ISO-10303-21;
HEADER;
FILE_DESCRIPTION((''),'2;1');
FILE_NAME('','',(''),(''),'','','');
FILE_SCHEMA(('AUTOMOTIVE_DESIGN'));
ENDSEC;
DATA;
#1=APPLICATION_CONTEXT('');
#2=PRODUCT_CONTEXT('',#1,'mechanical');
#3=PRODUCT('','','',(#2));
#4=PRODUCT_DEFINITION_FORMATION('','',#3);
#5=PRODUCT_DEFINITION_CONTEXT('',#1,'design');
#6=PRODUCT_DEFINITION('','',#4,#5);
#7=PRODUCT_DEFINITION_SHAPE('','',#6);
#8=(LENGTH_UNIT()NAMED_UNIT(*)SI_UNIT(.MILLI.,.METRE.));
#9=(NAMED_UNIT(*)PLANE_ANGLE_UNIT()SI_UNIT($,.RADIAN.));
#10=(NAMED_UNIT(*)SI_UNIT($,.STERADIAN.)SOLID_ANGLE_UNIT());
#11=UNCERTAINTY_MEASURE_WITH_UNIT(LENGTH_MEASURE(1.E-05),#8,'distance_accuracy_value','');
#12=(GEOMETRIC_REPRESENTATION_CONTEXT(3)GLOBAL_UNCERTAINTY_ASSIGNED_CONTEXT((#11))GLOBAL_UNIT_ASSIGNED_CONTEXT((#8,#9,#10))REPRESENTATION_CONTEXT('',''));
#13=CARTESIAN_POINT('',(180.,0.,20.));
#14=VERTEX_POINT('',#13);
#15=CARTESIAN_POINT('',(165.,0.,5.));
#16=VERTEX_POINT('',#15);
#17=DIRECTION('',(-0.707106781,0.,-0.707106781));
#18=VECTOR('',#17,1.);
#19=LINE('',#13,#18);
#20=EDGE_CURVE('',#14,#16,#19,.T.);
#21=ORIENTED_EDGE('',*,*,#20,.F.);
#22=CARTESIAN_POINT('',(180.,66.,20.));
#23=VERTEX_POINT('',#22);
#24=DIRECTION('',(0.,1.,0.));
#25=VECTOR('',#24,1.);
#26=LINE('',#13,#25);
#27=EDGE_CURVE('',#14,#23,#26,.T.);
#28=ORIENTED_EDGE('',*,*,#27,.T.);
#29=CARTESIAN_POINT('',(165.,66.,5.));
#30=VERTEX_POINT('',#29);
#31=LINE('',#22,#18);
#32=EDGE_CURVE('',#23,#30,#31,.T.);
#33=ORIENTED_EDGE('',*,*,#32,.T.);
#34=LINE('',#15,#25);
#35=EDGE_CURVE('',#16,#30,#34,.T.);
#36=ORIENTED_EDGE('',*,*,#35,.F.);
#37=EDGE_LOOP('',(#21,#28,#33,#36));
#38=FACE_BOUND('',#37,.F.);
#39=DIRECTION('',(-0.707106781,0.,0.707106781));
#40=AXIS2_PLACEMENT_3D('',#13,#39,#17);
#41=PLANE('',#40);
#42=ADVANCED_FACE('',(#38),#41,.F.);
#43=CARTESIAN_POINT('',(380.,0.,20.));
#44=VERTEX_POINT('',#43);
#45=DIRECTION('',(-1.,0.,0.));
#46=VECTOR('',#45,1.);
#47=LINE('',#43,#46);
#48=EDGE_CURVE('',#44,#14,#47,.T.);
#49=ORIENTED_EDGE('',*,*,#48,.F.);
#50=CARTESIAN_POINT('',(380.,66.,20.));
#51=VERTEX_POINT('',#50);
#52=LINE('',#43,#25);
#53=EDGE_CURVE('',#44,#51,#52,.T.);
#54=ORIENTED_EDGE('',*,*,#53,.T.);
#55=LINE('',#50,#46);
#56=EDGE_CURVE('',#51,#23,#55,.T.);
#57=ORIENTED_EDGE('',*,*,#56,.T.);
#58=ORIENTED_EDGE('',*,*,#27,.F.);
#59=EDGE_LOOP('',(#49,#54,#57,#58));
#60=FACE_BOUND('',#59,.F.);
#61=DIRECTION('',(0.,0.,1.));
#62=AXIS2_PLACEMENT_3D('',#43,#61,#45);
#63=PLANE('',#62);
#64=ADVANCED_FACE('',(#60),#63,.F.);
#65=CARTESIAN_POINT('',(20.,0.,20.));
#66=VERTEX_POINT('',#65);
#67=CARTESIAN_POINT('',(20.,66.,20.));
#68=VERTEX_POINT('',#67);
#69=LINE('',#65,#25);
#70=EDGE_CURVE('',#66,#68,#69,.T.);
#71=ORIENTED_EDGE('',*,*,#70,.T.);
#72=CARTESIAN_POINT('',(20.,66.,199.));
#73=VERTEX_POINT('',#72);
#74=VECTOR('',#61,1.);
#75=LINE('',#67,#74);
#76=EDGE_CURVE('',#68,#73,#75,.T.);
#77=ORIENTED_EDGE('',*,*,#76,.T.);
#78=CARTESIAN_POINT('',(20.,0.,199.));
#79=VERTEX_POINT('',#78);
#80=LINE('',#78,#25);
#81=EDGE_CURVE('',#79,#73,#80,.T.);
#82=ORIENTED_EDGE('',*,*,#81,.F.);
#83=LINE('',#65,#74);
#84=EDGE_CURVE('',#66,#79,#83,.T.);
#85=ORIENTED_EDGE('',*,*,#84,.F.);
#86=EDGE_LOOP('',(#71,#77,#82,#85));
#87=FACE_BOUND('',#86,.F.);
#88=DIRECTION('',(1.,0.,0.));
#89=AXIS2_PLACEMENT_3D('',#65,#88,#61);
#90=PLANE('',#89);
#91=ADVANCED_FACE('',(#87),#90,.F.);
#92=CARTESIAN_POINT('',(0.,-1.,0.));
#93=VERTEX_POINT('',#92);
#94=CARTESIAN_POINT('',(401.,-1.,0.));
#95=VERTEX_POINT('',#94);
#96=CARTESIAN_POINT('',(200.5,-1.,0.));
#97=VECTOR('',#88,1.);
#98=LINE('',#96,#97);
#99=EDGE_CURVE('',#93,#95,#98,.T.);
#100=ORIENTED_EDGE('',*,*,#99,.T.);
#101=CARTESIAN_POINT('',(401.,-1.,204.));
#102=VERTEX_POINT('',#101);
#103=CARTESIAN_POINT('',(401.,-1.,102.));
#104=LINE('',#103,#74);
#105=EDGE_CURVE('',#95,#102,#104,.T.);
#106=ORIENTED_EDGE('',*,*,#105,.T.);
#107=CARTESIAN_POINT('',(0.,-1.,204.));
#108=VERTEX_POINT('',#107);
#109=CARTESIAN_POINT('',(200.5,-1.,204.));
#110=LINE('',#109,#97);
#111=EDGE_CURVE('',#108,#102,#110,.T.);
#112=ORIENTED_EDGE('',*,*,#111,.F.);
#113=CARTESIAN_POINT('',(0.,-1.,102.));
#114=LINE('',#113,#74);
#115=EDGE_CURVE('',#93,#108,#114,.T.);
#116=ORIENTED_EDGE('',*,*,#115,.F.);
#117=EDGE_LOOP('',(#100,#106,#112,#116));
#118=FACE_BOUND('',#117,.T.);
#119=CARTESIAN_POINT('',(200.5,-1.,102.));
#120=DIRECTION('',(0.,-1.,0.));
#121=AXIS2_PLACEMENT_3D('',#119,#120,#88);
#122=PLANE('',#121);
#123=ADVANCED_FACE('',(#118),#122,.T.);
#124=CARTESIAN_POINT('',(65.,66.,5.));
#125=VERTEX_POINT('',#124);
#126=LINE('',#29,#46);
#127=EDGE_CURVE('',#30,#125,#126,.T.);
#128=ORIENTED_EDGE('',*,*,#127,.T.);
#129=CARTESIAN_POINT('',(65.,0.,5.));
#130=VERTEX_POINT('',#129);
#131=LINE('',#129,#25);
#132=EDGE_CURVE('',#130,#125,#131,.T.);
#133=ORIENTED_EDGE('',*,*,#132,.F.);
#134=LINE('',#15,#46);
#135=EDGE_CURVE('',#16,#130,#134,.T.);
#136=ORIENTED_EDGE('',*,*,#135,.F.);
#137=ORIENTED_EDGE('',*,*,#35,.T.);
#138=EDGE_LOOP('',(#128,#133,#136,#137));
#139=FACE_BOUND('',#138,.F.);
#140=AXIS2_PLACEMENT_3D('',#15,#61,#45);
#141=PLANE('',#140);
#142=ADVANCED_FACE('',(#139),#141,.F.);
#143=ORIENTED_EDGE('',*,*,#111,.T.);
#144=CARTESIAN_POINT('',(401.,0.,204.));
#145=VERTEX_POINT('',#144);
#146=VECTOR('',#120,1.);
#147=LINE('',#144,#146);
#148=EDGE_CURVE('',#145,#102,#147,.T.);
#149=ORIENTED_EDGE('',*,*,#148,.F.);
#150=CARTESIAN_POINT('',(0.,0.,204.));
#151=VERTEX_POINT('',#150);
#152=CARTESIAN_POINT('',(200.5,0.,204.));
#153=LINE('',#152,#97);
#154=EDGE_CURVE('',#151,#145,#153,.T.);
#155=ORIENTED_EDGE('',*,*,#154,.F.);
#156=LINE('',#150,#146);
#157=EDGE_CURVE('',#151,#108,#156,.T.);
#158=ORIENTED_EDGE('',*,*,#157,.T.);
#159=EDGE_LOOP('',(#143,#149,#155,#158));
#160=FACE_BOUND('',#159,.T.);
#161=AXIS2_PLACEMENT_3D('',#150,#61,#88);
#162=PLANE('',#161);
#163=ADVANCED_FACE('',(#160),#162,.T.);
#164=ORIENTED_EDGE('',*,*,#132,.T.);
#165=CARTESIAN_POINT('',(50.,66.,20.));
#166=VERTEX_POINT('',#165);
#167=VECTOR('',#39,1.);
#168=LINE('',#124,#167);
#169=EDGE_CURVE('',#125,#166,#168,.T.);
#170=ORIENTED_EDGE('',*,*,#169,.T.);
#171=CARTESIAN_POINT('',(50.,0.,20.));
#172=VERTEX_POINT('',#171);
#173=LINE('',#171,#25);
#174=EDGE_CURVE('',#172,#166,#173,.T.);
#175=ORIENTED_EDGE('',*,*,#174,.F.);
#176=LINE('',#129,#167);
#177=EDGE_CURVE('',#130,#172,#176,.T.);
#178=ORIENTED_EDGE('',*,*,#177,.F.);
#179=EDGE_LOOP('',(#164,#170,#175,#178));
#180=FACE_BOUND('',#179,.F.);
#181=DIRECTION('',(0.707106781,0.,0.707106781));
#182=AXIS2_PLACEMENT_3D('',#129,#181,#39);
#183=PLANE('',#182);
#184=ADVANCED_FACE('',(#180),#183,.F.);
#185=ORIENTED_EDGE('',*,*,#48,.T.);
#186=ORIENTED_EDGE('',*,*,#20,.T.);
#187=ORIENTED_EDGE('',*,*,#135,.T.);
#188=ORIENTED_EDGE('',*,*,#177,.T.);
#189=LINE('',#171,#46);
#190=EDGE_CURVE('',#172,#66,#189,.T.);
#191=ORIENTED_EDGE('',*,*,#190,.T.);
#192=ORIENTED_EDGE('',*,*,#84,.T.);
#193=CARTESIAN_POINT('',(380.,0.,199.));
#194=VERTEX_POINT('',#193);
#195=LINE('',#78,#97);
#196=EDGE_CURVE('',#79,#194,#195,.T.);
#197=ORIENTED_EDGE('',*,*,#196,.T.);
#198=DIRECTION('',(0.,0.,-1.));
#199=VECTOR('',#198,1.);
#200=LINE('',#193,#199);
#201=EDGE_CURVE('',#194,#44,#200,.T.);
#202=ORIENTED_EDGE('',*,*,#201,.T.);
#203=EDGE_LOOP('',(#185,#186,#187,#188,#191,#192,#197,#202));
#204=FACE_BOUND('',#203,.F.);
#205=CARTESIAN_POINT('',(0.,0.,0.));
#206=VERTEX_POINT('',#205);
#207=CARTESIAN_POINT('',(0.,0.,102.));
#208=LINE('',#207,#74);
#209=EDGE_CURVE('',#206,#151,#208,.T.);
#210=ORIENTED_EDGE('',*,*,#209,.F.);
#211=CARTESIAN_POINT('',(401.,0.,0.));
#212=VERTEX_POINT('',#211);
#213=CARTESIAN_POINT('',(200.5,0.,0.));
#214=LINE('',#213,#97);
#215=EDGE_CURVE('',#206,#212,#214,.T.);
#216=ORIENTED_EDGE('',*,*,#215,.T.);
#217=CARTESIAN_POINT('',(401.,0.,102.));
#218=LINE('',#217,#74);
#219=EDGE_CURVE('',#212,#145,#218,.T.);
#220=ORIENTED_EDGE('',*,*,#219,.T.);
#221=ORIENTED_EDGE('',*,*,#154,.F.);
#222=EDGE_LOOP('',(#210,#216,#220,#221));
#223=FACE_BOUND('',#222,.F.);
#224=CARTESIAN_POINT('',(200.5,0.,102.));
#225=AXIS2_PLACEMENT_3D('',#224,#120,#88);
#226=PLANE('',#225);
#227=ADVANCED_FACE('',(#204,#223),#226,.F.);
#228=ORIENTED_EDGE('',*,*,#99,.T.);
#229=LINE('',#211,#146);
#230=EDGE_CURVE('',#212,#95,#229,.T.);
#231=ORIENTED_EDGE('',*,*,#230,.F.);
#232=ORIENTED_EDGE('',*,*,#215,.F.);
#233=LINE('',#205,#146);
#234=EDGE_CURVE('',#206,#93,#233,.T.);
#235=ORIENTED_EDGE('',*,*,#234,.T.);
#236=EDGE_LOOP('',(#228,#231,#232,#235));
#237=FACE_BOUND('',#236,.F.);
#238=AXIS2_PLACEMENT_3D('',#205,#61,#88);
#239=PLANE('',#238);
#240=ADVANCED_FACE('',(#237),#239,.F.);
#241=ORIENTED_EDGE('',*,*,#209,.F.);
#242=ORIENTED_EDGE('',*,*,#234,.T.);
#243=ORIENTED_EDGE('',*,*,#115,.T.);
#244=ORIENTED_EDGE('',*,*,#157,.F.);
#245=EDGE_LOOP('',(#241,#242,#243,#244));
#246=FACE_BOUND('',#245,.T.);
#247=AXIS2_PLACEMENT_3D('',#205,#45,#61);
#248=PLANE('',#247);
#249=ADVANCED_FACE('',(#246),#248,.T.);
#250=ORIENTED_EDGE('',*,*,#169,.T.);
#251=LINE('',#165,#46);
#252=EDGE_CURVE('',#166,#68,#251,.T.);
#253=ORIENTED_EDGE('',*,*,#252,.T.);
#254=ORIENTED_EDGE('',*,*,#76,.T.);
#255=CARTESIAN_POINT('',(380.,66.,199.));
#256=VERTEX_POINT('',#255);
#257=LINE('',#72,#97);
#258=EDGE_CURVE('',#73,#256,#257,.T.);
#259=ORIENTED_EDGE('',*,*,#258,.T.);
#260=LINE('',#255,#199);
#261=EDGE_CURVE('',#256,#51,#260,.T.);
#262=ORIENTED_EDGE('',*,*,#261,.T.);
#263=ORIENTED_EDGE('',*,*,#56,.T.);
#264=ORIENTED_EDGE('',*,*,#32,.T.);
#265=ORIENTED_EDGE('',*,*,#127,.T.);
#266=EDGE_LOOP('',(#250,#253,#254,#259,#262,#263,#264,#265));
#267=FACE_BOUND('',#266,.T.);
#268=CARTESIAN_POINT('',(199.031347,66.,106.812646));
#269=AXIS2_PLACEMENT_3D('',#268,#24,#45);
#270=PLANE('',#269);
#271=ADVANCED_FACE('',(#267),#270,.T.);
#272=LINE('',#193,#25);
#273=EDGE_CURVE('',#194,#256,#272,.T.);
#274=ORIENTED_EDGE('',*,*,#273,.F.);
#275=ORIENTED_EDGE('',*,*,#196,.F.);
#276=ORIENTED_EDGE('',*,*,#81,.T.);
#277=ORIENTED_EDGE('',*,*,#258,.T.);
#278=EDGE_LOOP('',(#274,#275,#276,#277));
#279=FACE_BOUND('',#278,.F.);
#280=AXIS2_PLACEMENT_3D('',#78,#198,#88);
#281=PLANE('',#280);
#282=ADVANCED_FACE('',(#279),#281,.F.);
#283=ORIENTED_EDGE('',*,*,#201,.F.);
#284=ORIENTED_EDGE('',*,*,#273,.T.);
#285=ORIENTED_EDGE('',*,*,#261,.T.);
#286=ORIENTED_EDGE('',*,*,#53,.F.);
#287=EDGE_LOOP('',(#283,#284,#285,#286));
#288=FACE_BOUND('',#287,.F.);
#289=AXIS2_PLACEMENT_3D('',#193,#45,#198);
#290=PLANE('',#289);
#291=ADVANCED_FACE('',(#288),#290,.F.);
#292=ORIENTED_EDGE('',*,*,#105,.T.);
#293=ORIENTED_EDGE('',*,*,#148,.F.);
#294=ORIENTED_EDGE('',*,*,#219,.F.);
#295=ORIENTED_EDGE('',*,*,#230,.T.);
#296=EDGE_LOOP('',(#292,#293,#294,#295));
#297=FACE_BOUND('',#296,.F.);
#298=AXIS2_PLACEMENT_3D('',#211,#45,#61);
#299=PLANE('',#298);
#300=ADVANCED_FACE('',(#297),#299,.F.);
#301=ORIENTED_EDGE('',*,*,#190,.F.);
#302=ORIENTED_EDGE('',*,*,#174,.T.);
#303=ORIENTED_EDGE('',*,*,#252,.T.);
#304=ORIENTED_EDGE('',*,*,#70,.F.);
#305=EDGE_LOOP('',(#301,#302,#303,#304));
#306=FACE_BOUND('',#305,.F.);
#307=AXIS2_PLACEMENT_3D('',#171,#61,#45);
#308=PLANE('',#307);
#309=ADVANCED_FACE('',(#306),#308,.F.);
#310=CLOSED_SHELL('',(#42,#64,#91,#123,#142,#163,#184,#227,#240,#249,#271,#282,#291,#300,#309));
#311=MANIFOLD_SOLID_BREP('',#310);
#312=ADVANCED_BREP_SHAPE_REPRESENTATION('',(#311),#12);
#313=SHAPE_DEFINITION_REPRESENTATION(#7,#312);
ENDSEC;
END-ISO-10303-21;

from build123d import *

# Parameters (mm, degrees)
F0_W     = 401
F0_H     = 204
F1_DEPTH = 1
F3_DEPTH = 66


with BuildPart() as f1:
    # F0 (on Front) → F1 (new body)
    with BuildSketch(Plane.XZ):
        with Locations((200.5, 102)):
            Rectangle(F0_W, F0_H)
    extrude(amount=F1_DEPTH)

    # F2 (on face) → F3 (join)
    with BuildSketch(Plane(origin=(0, 0, 0), x_dir=(-1, 0, 0), z_dir=(0, 1, 0))):
        Polygon((-20, 20), (-20, 199), (-380, 199), (-380, 20), (-180, 20), (-165, 5), (-65, 5), (-50, 20), align=None)
    extrude(amount=F3_DEPTH)


solid = f1.part
